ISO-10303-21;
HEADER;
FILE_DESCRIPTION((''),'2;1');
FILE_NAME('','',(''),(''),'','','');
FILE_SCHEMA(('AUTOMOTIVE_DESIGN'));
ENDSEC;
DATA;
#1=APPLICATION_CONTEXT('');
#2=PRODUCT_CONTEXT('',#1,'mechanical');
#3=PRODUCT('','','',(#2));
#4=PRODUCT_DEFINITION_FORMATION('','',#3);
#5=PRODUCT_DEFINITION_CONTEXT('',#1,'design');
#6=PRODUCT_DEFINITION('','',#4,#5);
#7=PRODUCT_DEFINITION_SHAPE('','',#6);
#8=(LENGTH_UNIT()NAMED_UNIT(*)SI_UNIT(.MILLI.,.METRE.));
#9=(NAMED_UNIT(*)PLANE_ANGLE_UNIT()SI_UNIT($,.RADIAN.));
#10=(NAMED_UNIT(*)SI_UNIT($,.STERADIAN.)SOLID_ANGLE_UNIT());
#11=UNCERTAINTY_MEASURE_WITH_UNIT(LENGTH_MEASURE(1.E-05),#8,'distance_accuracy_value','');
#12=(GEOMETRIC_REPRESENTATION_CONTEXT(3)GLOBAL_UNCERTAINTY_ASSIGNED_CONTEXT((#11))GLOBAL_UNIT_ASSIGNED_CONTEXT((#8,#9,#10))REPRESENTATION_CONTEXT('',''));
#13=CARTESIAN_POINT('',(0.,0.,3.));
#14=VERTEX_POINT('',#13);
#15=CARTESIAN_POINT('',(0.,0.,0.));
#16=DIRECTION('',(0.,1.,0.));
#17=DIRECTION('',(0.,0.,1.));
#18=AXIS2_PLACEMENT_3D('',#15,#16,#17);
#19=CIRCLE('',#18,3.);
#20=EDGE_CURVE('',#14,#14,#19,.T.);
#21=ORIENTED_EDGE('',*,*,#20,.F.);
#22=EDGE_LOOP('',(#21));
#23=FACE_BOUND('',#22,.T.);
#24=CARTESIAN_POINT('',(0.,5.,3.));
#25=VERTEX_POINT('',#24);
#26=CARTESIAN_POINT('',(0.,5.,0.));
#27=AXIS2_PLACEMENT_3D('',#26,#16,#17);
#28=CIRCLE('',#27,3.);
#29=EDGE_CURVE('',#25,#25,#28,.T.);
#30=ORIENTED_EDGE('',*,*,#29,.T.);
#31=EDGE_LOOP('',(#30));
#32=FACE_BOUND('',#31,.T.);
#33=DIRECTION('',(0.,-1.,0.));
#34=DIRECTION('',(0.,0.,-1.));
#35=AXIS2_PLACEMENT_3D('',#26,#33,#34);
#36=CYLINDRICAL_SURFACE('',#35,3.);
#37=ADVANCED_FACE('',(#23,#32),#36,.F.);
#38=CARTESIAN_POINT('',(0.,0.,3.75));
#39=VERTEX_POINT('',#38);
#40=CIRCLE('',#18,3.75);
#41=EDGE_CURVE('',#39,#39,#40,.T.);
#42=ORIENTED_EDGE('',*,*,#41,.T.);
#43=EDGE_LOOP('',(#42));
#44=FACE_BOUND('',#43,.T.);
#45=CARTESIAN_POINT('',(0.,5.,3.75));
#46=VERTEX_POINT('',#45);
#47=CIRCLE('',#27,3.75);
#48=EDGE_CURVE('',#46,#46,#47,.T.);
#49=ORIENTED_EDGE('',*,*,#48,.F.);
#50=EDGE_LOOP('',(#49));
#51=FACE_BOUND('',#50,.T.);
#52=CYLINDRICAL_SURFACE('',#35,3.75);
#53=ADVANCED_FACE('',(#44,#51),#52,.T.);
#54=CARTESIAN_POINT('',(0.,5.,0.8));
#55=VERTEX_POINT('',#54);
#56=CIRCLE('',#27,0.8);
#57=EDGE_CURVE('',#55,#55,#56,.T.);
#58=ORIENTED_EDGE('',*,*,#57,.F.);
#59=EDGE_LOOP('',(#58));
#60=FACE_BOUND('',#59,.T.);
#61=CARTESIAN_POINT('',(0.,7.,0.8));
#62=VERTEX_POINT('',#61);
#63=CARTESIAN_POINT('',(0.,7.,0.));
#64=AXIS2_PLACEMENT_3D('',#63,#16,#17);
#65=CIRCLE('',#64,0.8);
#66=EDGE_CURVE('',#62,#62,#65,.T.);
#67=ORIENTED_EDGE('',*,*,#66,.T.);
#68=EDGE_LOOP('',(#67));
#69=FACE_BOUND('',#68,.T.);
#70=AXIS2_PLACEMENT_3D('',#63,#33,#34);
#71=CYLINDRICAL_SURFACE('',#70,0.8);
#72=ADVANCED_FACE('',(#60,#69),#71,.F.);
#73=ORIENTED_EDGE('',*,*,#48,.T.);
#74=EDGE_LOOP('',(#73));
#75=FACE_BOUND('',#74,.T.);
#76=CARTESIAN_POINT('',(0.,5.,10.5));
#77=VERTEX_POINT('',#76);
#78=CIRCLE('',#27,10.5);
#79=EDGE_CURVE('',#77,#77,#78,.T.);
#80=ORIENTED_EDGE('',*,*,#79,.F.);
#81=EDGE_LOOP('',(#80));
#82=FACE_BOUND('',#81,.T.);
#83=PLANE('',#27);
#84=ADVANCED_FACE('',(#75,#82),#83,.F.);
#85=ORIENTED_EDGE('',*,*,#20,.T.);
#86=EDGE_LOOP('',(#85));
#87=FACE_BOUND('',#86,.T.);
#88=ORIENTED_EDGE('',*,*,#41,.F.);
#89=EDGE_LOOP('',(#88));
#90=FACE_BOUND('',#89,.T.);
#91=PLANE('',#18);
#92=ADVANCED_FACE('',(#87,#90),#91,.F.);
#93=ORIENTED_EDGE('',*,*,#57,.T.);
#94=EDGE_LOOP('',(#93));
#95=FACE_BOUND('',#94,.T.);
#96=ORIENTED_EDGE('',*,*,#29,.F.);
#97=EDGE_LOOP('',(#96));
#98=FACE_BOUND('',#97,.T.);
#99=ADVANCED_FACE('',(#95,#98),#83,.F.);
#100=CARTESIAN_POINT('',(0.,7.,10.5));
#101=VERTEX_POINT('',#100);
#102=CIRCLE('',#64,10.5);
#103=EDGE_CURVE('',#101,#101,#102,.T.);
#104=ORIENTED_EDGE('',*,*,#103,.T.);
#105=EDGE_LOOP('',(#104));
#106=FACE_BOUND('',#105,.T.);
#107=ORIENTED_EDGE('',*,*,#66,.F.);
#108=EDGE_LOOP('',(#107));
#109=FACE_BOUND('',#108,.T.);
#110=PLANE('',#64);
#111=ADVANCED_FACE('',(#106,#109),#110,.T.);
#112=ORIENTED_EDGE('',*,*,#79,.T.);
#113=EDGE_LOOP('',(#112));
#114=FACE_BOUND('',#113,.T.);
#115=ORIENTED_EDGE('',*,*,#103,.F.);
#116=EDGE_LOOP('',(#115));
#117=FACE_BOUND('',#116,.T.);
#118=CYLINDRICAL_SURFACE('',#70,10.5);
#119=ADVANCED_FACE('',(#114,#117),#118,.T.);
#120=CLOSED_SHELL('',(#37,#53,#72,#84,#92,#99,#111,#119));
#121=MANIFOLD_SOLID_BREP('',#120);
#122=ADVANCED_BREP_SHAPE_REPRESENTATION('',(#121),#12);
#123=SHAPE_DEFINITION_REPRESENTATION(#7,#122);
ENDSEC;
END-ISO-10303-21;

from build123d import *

# Parameters (mm, degrees)
CROQUIS1_R              = 3.75
CROQUIS1_R_2            = 3
SALIENTE_EXTRUIR1_DEPTH = 5
CROQUIS2_R              = 10.5
CROQUIS2_R_2            = 0.8
SALIENTE_EXTRUIR2_DEPTH = 2


with BuildPart() as part:
    # Croquis1 → Saliente-Extruir1 (new body)
    with BuildSketch(Plane(origin=(0, 0, 0), x_dir=(1, 0, 0), z_dir=(0, 1, 0))):
        Circle(CROQUIS1_R)
        Circle(CROQUIS1_R_2, mode=Mode.SUBTRACT)
    extrude(amount=SALIENTE_EXTRUIR1_DEPTH)

    # Croquis2 → Saliente-Extruir2 (add)
    with BuildSketch(Plane(origin=(0, 5, 0), x_dir=(1, 0, 0), z_dir=(0, 1, 0))):
        Circle(CROQUIS2_R)
        Circle(CROQUIS2_R_2, mode=Mode.SUBTRACT)
    extrude(amount=SALIENTE_EXTRUIR2_DEPTH)


solid = part.part
